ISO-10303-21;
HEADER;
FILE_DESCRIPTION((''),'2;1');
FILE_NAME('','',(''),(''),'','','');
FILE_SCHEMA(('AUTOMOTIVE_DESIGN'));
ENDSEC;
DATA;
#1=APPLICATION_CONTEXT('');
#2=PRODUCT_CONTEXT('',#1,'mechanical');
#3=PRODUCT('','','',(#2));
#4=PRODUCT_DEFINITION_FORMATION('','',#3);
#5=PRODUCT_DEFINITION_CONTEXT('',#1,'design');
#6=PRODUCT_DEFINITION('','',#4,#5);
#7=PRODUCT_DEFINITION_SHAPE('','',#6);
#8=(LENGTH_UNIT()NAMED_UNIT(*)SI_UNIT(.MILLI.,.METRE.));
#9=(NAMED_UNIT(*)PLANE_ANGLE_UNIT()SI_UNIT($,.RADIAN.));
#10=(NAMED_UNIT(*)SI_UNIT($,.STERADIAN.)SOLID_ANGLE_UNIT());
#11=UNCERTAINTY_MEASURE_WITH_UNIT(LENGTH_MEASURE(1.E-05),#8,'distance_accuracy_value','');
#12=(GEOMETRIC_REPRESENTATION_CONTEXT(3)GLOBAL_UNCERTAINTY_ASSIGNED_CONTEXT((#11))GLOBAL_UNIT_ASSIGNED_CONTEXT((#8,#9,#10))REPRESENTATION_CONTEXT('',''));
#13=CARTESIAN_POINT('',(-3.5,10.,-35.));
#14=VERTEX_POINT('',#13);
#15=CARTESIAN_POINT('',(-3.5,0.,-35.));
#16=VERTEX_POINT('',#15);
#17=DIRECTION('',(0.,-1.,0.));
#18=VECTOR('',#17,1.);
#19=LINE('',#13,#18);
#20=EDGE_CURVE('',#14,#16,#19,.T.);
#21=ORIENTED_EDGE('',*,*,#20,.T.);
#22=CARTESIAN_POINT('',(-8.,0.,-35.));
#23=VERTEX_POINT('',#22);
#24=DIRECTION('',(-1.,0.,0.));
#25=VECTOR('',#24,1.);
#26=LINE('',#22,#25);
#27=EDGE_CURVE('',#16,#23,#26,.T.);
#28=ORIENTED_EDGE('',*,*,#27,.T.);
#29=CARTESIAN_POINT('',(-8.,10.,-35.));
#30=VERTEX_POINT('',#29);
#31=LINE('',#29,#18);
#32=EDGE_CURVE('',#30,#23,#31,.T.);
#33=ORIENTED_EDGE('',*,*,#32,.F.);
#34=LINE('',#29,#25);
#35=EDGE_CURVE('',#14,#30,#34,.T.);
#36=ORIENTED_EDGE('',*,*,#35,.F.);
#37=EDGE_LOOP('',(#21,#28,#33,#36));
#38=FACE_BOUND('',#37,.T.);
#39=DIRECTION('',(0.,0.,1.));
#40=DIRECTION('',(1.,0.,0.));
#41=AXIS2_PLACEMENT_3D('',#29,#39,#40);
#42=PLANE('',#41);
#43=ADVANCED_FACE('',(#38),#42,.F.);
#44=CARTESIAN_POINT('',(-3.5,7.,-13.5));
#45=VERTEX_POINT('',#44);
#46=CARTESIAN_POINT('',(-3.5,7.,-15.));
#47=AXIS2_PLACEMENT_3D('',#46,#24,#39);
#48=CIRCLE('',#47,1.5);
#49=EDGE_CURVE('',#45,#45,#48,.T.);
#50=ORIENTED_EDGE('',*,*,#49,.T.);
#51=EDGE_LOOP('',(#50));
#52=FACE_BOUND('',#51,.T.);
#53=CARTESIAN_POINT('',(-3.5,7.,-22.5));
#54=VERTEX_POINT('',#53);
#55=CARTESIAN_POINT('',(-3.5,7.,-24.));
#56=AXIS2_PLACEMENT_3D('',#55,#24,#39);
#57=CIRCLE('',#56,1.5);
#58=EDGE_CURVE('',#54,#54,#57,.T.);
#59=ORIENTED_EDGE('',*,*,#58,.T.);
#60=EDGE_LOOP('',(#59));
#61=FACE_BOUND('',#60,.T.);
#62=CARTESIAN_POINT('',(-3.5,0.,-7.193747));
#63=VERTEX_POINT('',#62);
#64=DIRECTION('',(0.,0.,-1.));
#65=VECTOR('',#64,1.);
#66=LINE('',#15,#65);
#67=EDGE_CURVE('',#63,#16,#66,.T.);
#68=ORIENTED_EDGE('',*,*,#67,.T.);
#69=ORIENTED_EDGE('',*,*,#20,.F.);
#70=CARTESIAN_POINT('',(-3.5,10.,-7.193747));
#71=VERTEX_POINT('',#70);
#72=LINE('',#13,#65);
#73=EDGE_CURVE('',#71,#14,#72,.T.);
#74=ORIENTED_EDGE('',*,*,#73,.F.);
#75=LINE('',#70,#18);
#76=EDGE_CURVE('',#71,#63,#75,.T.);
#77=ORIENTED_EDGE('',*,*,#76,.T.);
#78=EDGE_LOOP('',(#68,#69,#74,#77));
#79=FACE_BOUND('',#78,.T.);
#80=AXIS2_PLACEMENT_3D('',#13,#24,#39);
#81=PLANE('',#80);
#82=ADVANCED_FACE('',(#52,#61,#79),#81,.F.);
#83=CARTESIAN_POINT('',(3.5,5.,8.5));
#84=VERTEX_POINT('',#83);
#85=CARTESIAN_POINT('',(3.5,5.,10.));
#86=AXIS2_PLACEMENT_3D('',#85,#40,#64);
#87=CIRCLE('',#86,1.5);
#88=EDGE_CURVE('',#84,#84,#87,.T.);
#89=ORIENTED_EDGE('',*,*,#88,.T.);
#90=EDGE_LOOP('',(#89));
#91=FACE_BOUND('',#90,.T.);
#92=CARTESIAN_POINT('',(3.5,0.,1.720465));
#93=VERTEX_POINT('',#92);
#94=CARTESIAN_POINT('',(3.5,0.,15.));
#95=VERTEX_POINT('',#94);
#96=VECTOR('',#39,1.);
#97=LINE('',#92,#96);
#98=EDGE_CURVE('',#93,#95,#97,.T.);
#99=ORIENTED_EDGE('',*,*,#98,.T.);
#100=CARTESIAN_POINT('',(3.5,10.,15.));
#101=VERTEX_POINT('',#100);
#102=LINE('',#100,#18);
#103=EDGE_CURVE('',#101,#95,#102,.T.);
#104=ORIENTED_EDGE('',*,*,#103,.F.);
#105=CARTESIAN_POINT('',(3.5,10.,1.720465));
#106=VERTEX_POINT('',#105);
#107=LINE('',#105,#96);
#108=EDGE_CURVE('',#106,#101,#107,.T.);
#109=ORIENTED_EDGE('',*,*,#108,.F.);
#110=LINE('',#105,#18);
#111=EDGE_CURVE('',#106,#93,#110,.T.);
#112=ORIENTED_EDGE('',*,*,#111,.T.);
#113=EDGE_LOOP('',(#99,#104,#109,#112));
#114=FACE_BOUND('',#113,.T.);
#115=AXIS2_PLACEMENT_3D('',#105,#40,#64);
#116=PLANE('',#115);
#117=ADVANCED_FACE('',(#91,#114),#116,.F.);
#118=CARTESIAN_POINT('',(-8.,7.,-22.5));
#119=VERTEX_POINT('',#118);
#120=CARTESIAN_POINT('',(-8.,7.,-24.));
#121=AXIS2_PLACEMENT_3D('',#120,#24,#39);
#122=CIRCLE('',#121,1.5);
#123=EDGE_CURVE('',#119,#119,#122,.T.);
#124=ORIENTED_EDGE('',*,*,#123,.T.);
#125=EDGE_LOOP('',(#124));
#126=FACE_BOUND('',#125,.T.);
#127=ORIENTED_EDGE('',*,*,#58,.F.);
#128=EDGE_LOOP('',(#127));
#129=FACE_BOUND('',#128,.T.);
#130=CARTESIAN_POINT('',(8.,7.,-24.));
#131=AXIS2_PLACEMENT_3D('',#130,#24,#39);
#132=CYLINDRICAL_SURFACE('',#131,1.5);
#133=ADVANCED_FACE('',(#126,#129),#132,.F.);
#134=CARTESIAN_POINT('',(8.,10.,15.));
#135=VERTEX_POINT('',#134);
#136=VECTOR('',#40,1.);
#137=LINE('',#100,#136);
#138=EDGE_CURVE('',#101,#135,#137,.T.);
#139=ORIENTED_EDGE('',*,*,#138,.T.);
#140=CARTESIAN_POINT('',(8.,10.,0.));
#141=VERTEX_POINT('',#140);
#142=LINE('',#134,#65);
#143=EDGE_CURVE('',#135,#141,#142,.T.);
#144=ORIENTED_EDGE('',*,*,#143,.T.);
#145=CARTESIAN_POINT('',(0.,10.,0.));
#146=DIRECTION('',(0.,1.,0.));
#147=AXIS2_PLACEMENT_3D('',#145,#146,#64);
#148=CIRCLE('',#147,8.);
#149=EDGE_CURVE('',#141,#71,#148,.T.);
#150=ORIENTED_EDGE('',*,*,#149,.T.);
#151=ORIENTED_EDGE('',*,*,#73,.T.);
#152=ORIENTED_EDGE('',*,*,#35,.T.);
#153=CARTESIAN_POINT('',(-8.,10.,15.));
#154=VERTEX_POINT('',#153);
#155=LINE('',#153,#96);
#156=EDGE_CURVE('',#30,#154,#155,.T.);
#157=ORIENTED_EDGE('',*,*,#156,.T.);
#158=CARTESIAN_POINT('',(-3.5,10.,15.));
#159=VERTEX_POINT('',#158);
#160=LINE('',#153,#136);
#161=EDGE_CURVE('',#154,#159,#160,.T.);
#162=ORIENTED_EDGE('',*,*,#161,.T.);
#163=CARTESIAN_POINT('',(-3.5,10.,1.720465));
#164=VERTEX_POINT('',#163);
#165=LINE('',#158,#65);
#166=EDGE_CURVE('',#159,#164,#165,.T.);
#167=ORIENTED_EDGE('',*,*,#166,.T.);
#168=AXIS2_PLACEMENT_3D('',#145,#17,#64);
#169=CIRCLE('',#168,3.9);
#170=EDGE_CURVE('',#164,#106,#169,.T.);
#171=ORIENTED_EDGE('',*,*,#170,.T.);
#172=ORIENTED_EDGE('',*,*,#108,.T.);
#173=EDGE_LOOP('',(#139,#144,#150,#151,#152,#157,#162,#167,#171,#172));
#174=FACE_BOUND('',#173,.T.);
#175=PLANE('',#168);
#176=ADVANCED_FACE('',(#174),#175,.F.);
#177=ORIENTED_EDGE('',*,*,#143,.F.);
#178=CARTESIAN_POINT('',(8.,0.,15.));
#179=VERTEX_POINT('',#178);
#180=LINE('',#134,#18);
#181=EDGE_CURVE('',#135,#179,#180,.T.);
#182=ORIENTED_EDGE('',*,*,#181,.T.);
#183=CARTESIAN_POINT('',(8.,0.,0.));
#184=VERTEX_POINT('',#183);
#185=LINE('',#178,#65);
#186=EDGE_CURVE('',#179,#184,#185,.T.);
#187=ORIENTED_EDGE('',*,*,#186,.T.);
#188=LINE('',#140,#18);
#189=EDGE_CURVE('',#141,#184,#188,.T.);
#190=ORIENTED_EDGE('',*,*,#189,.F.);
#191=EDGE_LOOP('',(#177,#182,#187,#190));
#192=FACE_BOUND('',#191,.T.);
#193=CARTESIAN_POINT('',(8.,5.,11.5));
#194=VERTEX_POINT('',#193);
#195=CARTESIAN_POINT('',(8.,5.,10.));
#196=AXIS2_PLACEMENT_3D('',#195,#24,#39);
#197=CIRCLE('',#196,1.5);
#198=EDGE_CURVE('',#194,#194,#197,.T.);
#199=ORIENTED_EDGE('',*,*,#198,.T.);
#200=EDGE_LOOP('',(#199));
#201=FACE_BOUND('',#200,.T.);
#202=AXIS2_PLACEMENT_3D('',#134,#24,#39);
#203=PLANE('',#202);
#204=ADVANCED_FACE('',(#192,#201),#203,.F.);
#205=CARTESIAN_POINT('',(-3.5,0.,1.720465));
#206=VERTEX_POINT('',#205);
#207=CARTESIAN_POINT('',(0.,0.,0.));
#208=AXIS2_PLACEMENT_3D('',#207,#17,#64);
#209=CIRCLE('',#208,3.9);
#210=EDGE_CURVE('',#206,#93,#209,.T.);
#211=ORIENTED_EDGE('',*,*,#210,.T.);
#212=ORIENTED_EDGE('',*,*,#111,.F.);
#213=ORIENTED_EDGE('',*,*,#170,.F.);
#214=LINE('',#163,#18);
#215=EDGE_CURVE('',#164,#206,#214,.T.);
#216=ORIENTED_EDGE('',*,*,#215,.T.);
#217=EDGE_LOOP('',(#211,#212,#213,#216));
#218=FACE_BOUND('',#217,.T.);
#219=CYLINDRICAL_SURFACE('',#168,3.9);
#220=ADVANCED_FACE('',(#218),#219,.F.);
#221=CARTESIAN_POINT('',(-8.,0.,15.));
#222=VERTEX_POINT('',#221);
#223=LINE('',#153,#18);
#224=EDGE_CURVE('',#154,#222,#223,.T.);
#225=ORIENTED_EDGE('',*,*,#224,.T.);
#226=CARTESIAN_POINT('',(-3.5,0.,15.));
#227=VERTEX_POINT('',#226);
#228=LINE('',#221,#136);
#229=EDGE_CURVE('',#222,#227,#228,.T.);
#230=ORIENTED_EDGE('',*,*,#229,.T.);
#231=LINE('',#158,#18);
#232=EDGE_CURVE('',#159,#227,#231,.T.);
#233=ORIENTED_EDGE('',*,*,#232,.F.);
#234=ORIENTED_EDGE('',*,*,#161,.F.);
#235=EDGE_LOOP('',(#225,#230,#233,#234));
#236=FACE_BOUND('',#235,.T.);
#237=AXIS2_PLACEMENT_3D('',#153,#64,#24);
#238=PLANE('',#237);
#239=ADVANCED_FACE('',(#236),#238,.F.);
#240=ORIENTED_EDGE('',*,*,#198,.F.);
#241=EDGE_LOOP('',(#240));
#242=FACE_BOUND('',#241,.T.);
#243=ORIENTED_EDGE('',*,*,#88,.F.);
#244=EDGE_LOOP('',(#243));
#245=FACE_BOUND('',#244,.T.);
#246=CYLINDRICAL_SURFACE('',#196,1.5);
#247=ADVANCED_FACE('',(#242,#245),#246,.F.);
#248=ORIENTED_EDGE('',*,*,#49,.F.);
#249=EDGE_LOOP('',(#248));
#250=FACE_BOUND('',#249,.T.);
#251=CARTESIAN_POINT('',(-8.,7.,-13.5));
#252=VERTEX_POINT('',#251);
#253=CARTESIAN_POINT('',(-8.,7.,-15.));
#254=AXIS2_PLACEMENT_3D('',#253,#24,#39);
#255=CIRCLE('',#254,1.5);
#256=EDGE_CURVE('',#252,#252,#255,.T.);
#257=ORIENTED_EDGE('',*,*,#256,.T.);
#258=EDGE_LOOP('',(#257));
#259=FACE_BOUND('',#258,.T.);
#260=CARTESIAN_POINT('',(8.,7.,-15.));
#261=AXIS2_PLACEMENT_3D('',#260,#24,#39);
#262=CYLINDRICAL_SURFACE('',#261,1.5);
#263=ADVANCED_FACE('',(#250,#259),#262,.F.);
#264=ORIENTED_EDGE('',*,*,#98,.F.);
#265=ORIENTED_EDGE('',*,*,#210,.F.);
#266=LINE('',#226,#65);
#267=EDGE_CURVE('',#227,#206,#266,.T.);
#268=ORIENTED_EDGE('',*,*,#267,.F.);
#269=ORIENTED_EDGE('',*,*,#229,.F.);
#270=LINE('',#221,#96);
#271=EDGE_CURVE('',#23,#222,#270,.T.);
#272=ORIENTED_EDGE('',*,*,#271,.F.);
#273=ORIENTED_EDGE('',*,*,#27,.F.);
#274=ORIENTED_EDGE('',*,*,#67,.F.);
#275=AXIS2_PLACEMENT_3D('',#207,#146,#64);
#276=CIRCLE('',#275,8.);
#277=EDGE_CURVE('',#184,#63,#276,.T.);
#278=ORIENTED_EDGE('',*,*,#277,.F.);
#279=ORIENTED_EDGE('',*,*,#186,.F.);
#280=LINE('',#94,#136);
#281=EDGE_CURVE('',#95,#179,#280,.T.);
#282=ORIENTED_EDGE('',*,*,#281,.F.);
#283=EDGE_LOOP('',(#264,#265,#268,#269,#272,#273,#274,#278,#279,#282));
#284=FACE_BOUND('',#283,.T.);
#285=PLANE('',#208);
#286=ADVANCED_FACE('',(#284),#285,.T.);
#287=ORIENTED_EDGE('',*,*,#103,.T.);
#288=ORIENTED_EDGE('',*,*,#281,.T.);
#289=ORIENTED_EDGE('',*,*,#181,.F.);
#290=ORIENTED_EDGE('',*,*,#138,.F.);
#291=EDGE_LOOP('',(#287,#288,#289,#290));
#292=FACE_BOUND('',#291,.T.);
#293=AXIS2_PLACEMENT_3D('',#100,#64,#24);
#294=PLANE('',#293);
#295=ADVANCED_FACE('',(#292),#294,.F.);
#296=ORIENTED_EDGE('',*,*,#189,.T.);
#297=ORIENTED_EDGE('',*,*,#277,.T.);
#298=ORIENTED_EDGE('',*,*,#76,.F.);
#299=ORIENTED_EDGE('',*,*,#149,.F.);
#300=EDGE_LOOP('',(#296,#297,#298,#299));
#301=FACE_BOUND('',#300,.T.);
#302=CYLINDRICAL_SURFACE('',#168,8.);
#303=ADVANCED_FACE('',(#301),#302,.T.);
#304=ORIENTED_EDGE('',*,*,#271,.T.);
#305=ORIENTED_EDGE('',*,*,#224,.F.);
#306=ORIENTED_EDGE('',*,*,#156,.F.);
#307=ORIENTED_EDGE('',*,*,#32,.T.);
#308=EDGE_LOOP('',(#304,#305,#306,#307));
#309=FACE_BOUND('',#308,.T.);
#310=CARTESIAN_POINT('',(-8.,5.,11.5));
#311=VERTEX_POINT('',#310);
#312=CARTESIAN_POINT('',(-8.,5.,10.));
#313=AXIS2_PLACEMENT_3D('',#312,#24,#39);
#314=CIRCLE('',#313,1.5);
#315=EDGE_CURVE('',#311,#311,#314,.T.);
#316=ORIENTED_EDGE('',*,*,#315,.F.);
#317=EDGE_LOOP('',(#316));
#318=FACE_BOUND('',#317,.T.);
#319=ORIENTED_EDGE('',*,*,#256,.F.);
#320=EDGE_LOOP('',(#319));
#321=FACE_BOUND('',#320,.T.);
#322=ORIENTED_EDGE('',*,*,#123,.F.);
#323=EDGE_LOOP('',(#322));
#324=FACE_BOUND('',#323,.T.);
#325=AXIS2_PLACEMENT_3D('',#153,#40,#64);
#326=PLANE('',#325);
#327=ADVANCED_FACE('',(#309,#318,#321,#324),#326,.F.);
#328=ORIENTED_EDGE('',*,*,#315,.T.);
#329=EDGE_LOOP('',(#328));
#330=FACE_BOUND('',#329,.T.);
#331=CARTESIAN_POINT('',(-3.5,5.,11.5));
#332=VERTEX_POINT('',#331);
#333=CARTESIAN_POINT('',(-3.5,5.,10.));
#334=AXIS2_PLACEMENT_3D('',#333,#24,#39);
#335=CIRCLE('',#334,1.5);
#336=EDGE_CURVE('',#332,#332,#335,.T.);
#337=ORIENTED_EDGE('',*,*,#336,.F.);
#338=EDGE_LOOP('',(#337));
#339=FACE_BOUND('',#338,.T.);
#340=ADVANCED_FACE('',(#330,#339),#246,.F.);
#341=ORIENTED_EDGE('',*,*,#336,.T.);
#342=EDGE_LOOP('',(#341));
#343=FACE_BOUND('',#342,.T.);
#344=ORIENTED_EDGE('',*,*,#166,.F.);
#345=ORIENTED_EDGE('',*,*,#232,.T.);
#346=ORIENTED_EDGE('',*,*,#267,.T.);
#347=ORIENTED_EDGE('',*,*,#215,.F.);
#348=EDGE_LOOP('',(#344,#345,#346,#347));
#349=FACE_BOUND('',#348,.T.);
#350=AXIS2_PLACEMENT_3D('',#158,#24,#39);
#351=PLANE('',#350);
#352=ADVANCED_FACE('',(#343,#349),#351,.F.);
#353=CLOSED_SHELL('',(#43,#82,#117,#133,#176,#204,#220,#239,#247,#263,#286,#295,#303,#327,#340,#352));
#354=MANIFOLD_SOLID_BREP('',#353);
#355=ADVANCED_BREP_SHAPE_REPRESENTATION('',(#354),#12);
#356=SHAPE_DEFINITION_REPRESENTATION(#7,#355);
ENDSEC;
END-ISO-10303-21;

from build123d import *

# Parameters (mm, degrees)
BOSS_EXTRUDE1_DEPTH = 10
SKETCH2_R           = 1.5
CUT_EXTRUDE1_DEPTH  = 40.761790704
SKETCH3_R           = 1.5
CUT_EXTRUDE2_DEPTH  = 40.761790704


with BuildPart() as part:
    # Sketch1 → Boss-Extrude1 (new body)
    with BuildSketch(Plane(origin=(0, 0, 0), x_dir=(1, 0, 0), z_dir=(0, 1, 0))):
        with BuildLine():
            Line((-8, -15), (-8, 35))
            Line((-8, 35), (-3.5, 35))
            Line((-3.5, 35), (-3.5, 7.193747285))
            ThreePointArc((-3.5, 7.193747285), (4.242640687, 6.782329983), (8, 0))
            Line((8, 0), (8, -15))
            Line((8, -15), (3.5, -15))
            Line((3.5, -15), (3.5, -1.720465053))
            ThreePointArc((3.5, -1.720465053), (0, 3.9), (-3.5, -1.720465053))
            Line((-3.5, -1.720465053), (-3.5, -15))
            Line((-3.5, -15), (-8, -15))
        make_face()
    extrude(amount=BOSS_EXTRUDE1_DEPTH)

    # Sketch2 → Cut-Extrude1 (cut, through all)
    with BuildSketch(Plane.ZY.offset(8)):
        with Locations((10, 5)):
            Circle(SKETCH2_R)
    extrude(amount=-CUT_EXTRUDE1_DEPTH, mode=Mode.SUBTRACT)

    # Sketch3 → Cut-Extrude2 (cut, through all)
    with BuildSketch(Plane.ZY.offset(8)):
        with Locations((-24, 7)):
            Circle(SKETCH3_R)
        with Locations((-15, 7)):
            Circle(SKETCH3_R)
    extrude(amount=-CUT_EXTRUDE2_DEPTH, mode=Mode.SUBTRACT)


solid = part.part
